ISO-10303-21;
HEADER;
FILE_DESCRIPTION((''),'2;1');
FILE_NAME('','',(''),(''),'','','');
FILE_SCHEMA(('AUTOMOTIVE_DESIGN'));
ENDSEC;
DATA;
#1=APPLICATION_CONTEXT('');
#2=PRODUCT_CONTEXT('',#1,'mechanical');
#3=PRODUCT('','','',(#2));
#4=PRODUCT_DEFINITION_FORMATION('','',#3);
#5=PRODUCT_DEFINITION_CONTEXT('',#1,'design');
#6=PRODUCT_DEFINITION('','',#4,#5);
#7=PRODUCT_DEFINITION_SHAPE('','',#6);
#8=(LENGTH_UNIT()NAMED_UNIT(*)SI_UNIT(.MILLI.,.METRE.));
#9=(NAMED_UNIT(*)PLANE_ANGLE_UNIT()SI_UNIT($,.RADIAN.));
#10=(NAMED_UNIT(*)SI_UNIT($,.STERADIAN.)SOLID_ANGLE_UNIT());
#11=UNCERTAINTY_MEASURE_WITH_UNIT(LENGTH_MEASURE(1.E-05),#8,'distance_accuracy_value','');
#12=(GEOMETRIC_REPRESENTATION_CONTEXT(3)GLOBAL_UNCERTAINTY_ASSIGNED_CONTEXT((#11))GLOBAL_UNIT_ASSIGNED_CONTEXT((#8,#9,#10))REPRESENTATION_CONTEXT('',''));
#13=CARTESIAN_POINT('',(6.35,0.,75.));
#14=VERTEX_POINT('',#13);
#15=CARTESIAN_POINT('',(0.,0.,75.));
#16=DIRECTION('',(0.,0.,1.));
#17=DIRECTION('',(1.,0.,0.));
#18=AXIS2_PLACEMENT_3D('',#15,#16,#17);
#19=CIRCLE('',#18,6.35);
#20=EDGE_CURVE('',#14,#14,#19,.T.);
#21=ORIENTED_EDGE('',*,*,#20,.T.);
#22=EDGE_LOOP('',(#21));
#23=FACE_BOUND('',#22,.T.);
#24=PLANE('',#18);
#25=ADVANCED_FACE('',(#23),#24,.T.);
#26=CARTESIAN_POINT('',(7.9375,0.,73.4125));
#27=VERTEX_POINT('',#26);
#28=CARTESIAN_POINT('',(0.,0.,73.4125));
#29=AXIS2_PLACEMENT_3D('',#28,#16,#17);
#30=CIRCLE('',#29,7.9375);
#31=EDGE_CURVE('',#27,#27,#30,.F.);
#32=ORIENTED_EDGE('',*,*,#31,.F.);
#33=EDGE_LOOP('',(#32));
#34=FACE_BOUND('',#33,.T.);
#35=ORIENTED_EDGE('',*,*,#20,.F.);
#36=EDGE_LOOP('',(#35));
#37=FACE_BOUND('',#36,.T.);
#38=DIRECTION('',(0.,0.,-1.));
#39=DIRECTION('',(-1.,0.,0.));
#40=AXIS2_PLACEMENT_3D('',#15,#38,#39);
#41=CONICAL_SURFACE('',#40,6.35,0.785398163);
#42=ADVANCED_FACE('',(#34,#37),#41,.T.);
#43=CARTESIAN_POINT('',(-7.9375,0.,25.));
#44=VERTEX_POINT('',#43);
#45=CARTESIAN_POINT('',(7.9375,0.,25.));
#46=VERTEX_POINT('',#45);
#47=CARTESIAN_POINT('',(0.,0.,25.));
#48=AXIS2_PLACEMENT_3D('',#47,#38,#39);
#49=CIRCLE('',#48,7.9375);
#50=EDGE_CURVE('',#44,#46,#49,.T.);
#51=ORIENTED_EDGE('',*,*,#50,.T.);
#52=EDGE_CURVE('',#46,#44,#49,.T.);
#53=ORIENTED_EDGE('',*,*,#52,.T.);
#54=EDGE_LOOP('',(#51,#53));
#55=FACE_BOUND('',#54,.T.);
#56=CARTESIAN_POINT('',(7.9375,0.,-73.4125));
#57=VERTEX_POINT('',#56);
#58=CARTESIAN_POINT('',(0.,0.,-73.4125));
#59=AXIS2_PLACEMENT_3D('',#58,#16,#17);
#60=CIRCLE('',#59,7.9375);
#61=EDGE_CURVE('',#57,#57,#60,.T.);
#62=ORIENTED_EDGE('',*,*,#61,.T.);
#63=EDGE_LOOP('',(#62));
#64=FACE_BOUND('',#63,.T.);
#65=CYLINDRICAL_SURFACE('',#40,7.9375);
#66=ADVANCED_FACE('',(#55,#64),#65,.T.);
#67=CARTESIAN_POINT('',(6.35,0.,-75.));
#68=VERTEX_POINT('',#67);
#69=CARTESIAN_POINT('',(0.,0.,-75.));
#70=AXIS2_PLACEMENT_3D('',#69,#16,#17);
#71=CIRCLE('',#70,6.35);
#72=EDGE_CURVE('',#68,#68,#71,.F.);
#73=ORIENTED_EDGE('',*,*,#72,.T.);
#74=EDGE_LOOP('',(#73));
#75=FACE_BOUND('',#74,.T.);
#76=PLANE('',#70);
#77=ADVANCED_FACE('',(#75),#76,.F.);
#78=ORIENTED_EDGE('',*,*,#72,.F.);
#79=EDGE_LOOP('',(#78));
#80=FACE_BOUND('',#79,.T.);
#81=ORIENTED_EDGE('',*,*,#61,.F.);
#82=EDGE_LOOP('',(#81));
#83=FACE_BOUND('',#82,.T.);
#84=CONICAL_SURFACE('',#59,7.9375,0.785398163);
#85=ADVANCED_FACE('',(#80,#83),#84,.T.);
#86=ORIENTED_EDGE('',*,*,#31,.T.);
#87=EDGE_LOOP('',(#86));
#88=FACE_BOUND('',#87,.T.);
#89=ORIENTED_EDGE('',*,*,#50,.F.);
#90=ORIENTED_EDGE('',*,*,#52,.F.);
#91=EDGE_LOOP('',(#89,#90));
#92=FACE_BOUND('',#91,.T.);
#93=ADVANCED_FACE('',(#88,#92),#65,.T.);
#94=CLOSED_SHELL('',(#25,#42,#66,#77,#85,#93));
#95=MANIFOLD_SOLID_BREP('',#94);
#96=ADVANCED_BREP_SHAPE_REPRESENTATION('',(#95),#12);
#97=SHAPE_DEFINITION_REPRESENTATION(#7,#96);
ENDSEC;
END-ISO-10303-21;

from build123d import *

# Parameters (mm, degrees)
SKETCH3_R           = 7.9375
BOSS_EXTRUDE1_DEPTH = 75
CHAMFER1_SIZE       = 1.5875


with BuildPart() as part:
    # Sketch3 → Boss-Extrude1 (new body, symmetric)
    with BuildSketch(Plane.XY):
        Circle(SKETCH3_R)
    extrude(amount=BOSS_EXTRUDE1_DEPTH, both=True)

    # Chamfer1
    chamfer1_edges = [part.edges().sort_by_distance(p)[0] for p in [
        (-7.9375, 0, -75),
        (-7.9375, 0, 75),
    ]]
    chamfer(chamfer1_edges, length=CHAMFER1_SIZE)


solid = part.part
